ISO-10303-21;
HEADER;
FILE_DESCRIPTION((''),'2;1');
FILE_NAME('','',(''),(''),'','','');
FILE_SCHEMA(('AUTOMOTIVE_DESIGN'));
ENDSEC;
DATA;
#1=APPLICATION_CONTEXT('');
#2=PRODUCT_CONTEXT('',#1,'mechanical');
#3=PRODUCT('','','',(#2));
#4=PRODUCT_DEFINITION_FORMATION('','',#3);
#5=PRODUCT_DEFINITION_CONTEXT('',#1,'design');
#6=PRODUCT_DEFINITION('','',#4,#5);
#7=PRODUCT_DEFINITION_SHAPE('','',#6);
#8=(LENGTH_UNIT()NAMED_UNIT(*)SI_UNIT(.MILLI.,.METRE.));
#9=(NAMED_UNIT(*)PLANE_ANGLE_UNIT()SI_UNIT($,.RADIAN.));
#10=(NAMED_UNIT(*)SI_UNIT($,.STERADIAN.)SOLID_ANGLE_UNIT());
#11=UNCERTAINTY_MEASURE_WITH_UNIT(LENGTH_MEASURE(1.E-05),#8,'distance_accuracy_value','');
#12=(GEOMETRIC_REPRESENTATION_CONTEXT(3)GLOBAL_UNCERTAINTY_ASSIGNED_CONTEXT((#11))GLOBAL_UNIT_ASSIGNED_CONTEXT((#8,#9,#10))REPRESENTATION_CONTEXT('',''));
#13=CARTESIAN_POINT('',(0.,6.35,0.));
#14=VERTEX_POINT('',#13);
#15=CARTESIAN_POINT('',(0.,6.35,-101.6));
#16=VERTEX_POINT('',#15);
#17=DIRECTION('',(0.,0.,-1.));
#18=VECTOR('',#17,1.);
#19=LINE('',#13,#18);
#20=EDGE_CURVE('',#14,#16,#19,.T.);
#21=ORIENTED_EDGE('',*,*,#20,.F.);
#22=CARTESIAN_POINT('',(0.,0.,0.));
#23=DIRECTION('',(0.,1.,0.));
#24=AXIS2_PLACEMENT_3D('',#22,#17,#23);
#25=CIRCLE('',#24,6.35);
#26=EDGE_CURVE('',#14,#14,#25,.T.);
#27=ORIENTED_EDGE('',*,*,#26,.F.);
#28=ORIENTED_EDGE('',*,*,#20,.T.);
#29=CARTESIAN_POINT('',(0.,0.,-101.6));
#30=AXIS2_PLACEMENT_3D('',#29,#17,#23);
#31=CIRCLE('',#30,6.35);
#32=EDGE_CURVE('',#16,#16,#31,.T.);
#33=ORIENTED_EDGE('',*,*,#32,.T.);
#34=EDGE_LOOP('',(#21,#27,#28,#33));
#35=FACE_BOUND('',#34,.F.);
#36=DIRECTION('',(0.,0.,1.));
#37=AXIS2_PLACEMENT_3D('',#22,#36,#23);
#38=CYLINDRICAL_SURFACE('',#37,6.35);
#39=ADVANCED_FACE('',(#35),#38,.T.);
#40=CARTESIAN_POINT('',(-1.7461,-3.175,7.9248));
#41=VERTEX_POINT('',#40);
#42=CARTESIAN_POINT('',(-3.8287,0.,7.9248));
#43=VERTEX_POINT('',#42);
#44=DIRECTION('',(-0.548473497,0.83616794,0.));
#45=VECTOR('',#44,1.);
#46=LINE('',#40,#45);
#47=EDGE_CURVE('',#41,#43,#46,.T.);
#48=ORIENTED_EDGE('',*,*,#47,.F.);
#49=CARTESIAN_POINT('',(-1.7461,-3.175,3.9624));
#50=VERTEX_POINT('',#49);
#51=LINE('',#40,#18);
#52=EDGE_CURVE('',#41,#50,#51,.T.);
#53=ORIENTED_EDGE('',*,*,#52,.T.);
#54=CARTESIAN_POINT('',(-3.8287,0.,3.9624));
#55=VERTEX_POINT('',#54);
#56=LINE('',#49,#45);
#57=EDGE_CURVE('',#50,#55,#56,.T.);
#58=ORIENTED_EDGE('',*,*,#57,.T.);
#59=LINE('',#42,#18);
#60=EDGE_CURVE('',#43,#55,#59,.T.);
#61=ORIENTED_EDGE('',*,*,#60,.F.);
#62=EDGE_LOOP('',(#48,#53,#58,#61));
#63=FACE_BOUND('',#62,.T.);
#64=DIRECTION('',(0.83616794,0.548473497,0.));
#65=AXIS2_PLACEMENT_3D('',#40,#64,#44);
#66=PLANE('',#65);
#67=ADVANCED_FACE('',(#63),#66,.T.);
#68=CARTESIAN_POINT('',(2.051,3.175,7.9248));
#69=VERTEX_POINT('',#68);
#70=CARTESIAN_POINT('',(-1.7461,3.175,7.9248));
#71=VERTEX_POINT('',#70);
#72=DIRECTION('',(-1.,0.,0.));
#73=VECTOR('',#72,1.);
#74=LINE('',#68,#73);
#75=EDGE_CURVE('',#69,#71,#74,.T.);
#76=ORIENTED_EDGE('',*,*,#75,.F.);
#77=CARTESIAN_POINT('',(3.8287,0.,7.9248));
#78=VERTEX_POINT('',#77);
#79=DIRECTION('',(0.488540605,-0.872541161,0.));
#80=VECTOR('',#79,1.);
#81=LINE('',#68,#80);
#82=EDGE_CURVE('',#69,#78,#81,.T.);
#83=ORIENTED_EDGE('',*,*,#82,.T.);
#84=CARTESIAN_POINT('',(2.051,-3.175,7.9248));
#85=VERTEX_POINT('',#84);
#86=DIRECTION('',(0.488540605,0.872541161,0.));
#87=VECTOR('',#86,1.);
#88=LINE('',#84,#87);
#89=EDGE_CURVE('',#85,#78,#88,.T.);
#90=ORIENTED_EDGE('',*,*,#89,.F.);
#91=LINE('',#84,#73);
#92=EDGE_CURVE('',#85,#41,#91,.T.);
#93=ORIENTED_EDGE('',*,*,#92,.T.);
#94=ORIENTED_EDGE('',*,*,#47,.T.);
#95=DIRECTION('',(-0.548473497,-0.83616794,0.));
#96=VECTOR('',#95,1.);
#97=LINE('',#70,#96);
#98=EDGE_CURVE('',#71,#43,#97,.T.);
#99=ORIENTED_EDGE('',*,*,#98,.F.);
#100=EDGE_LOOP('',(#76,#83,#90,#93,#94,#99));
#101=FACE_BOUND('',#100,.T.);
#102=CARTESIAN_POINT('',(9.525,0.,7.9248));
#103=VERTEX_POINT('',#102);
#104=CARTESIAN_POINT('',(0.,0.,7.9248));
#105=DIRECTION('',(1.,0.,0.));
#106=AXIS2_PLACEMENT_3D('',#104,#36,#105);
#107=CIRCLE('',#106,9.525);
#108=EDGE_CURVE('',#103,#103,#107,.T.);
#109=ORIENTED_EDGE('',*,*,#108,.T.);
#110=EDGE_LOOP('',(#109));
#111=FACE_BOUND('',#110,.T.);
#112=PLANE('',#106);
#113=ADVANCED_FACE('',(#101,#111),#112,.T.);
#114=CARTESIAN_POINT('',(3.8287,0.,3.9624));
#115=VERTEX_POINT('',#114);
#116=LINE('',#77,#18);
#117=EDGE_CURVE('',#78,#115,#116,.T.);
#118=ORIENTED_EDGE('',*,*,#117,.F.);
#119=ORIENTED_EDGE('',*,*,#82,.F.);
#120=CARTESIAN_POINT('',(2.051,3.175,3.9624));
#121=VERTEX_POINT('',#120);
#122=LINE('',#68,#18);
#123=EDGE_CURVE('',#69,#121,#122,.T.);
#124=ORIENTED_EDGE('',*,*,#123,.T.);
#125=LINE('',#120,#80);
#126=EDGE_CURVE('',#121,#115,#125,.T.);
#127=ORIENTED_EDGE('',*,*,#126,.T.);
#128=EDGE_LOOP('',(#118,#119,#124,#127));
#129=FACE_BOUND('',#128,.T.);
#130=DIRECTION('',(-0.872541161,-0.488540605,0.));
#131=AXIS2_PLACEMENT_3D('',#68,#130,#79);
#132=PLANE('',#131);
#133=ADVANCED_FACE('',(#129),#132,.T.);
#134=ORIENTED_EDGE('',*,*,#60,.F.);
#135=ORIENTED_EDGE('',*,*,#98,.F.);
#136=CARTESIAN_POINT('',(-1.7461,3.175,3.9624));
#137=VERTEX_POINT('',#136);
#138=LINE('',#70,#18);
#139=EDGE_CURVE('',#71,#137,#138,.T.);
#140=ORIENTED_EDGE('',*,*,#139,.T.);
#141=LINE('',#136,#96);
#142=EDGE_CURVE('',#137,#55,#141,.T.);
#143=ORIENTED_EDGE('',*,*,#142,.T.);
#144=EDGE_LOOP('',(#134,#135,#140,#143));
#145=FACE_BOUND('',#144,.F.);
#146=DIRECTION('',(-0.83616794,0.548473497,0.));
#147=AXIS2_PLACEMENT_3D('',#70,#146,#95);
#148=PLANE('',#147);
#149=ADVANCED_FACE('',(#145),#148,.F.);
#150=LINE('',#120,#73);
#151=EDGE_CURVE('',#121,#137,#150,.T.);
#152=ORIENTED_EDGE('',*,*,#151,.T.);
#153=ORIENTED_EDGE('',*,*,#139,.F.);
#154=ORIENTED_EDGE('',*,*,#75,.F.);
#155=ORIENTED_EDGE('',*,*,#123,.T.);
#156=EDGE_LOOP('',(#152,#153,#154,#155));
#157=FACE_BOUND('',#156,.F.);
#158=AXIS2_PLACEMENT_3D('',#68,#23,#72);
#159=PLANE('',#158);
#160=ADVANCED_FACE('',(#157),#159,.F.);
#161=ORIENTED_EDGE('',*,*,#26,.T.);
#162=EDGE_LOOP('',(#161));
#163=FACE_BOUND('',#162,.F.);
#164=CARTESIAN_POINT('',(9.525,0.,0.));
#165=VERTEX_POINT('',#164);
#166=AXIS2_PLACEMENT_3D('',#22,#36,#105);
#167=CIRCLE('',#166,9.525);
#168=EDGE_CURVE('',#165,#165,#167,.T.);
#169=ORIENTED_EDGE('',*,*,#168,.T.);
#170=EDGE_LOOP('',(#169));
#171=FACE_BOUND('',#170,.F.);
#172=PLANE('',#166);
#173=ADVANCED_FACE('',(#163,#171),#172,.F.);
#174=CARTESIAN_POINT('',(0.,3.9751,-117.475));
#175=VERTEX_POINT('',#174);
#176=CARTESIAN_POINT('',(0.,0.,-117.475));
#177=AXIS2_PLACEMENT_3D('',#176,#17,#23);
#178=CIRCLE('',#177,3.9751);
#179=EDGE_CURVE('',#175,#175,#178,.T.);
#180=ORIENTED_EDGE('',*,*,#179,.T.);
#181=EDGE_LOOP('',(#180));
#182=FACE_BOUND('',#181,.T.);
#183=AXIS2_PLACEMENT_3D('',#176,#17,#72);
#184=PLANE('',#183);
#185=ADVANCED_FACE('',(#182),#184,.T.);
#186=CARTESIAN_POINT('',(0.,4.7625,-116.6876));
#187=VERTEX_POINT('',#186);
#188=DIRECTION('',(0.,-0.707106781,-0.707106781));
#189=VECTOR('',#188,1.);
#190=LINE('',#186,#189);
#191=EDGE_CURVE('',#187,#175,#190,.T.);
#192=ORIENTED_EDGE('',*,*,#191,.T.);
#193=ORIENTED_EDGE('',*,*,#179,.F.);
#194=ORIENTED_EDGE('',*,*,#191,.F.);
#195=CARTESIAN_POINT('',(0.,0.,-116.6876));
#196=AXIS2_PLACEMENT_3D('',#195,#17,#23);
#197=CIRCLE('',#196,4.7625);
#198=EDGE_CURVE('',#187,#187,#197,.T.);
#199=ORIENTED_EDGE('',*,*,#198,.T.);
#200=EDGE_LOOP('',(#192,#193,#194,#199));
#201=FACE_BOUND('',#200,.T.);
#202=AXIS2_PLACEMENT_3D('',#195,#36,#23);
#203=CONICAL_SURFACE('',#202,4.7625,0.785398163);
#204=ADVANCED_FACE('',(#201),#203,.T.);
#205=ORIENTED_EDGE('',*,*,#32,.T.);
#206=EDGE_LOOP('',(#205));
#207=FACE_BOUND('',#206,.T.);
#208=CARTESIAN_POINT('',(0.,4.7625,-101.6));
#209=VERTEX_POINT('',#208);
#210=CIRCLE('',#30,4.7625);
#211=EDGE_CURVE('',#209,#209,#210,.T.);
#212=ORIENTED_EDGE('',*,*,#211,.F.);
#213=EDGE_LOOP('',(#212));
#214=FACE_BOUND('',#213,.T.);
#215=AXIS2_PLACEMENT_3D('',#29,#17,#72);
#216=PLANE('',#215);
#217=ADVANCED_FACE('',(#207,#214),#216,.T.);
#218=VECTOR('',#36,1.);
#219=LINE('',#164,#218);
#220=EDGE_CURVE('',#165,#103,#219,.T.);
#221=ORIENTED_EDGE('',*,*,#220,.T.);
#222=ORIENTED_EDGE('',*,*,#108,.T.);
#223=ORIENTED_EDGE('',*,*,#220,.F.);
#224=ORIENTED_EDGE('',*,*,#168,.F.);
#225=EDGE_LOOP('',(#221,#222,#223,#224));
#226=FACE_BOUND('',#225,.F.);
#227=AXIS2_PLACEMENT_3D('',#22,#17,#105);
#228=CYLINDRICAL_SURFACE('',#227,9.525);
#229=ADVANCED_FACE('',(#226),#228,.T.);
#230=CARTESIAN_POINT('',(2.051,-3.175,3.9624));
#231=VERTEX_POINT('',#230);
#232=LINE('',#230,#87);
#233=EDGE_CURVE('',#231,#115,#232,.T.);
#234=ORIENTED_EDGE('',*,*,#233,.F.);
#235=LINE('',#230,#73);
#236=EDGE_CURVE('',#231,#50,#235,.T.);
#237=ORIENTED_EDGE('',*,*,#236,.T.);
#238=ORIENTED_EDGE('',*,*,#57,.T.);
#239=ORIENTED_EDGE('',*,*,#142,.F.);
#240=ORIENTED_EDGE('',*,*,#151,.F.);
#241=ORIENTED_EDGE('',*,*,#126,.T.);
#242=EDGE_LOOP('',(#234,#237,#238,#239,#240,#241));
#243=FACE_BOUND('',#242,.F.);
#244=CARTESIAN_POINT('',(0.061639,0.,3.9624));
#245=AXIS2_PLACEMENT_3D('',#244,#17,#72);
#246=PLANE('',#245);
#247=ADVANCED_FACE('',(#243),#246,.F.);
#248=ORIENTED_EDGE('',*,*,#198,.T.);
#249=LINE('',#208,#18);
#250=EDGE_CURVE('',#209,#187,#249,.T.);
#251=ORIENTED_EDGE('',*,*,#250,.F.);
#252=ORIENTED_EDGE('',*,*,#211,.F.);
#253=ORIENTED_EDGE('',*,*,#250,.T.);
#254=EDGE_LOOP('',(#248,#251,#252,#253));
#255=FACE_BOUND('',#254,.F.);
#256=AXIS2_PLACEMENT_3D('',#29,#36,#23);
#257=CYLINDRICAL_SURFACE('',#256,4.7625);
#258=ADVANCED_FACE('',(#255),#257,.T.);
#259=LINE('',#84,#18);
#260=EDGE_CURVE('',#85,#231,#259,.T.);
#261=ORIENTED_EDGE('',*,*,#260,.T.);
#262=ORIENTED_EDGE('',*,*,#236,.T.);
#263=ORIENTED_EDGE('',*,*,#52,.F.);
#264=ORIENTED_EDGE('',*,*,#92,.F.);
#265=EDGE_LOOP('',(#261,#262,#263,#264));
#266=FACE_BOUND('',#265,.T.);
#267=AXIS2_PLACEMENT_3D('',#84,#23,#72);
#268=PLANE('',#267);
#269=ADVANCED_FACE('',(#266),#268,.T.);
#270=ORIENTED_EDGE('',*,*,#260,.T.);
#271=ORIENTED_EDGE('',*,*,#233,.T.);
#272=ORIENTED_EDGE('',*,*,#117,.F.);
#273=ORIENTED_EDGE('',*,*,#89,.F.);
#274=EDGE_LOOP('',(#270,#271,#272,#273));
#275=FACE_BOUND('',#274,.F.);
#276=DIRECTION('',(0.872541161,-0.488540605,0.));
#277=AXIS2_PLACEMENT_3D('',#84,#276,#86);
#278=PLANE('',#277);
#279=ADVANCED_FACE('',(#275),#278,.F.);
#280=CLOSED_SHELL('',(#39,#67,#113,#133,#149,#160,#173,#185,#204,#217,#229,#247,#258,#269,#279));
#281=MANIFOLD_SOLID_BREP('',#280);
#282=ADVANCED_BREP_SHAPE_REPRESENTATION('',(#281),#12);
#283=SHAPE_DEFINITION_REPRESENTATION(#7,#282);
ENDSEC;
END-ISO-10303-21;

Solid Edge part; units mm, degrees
sketch "Sketch1" plane through (0, 0, 0) normal (0, 0, 1) x (1, 0, 0)
  circle A0 centre (0, 0) radius 9.525
  dimension "D1" = 19.05
extrude "Protrusion1" add sketch "Sketch1" along normal blind 7.9248
sketch "Sketch2" plane through (0, 0, 0) normal (0, 0, -1) x (0, 1, 0)
  circle A0 centre (0, 0) radius 6.35
  dimension "D1" = 12.7
extrude "Protrusion2" add sketch "Sketch2" along normal blind 101.6
sketch "Sketch3" plane through (0, 0, -101.6) normal (0, 0, -1) x (0, 1, 0)
  circle A0 centre (0, 0) radius 4.7625
  dimension "D1" = 9.525
extrude "Protrusion3" add sketch "Sketch3" along normal blind 15.875
sketch "Sketch4" plane through (0, 0, 7.9248) normal (0, 0, 1) x (0, 1, 0)
  line L0 (-3.175, 1.7461) -> (0, 3.8287)
  line L1 (-3.175, -2.051) -> (-3.175, 1.7461)
  line L2 (-3.175, -2.051) -> (0, -3.8287)
  line L3 (3.175, -2.051) -> (0, -3.8287)
  line L4 (3.175, -2.051) -> (3.175, 1.7461)
  line L5 (3.175, 1.7461) -> (0, 3.8287)
  dimension "D1" = 6.35
extrude "Cutout1" cut sketch "Sketch4" against normal blind 3.9624
chamfer "Chamfer1" distance 0.7874 angle 45 1 edges at (0, -4.7625, -117.475)
properties part number "144841"
